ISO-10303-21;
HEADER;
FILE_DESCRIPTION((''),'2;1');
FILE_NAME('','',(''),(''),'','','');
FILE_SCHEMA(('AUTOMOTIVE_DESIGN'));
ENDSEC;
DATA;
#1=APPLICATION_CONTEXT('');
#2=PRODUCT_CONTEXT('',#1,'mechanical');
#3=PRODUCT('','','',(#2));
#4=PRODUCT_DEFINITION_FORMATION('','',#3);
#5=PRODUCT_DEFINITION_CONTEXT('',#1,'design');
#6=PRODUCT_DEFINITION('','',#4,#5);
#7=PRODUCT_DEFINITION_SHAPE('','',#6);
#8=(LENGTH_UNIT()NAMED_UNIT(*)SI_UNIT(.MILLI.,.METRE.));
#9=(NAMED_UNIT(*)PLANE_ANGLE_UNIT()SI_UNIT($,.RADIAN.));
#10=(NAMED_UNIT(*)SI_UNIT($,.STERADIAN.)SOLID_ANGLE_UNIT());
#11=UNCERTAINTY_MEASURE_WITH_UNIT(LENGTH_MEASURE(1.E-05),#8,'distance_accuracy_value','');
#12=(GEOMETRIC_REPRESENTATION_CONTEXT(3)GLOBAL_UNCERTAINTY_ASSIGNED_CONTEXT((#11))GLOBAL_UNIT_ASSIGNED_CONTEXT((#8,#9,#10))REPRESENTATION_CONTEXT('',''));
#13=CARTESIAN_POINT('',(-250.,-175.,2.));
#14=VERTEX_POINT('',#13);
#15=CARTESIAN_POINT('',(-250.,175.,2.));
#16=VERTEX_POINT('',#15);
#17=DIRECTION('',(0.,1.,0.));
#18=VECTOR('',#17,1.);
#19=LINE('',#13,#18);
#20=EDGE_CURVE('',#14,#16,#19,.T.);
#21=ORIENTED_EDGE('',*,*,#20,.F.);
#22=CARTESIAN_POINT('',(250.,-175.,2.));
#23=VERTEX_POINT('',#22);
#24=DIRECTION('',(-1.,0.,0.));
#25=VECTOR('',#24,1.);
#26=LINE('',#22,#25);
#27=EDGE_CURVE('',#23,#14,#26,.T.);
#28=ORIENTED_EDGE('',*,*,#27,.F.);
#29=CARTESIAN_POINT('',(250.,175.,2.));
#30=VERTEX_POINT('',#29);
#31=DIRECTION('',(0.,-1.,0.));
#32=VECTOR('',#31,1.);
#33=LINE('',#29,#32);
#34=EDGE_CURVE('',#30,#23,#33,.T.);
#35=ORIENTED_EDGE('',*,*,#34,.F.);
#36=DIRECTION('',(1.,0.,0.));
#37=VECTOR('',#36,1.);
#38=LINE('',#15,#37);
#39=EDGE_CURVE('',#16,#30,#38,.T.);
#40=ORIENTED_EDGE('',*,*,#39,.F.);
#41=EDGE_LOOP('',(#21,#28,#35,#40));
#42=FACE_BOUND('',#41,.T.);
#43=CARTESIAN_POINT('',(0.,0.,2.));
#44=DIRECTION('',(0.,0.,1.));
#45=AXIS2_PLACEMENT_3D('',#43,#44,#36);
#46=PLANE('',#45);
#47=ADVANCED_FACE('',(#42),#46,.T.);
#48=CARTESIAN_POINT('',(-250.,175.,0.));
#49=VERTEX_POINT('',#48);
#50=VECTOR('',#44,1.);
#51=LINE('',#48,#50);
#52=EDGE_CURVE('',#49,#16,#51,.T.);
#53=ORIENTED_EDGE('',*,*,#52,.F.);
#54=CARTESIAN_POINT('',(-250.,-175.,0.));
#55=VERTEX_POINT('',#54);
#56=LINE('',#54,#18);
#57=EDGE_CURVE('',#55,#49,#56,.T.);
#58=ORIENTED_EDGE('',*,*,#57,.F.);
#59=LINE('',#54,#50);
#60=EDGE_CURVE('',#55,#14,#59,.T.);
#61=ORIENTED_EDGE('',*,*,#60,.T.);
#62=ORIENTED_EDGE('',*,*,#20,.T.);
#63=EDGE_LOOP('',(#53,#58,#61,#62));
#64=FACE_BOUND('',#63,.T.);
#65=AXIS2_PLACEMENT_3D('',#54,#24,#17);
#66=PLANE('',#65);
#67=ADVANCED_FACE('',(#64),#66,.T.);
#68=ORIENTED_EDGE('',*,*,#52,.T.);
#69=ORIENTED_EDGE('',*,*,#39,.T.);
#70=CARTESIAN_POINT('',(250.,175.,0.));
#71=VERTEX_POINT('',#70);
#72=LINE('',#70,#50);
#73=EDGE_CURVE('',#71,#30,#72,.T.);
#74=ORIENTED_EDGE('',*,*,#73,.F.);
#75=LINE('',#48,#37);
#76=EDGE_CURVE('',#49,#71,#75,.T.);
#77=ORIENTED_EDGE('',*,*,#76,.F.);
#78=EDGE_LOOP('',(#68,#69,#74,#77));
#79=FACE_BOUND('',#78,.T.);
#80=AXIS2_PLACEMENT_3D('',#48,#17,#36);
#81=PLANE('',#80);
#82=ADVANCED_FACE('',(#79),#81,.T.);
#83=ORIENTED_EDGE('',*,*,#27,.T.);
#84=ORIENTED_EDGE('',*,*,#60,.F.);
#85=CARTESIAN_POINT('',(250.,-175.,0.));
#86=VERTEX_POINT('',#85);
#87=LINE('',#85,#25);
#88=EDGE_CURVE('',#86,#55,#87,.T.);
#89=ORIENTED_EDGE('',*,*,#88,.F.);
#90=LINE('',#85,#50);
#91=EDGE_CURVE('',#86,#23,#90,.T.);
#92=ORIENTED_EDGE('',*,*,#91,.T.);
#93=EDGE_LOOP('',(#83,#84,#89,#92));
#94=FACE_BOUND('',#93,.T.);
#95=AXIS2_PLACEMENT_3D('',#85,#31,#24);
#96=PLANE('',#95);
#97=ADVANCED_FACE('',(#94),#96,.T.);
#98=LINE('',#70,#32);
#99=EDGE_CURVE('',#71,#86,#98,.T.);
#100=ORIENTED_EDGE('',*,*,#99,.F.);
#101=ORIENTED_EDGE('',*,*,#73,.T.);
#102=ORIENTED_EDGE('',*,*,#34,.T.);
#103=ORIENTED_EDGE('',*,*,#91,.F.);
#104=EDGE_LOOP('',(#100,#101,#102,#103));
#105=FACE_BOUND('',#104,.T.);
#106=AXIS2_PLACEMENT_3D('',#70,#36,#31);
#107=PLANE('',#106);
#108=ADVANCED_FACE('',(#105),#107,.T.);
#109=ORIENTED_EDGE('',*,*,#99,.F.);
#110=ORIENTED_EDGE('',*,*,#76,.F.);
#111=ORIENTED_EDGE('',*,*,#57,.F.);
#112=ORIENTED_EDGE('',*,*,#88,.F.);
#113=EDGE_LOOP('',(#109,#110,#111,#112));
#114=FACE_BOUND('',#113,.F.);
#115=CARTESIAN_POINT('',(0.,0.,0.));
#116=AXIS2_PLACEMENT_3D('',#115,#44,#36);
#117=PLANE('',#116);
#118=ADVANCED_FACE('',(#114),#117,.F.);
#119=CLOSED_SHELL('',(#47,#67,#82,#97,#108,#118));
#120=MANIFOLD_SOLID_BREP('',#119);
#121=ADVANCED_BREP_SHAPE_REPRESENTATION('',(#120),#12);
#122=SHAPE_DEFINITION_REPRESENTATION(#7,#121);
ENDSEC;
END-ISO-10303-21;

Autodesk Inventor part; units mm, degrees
ref_plane "YZ Plane" through (0, 0, 0) normal (1, 0, 0) x (0, 1, 0)
ref_plane "XZ Plane" through (0, 0, 0) normal (0, 1, 0) x (-1, 0, 0)
ref_plane "XY Plane" through (0, 0, 0) normal (0, 0, 1) x (1, 0, 0)
sketch "Sketch1" plane through (0, 0, 0) normal (0, 0, 1) x (1, 0, 0)
  line L0 (-250, 175) -> (250, 175)
  line L1 (250, 175) -> (250, -175)
  line L2 (250, -175) -> (-250, -175)
  line L3 (-250, -175) -> (-250, 175)
  point P0 (0, 0)
  dimension "d0" = 500
  dimension "d1" = 350
  dimension "d2" = 175
  dimension "d3" = 250
extrude "Extrusion1" add sketch "Sketch1" along normal blind 2
equation "\"d2\" = 0.5 * d1"
equation "\"d3\" = 0.5 * d0"
properties part number "Base" material "MDF Medium Density Fiberboard"
